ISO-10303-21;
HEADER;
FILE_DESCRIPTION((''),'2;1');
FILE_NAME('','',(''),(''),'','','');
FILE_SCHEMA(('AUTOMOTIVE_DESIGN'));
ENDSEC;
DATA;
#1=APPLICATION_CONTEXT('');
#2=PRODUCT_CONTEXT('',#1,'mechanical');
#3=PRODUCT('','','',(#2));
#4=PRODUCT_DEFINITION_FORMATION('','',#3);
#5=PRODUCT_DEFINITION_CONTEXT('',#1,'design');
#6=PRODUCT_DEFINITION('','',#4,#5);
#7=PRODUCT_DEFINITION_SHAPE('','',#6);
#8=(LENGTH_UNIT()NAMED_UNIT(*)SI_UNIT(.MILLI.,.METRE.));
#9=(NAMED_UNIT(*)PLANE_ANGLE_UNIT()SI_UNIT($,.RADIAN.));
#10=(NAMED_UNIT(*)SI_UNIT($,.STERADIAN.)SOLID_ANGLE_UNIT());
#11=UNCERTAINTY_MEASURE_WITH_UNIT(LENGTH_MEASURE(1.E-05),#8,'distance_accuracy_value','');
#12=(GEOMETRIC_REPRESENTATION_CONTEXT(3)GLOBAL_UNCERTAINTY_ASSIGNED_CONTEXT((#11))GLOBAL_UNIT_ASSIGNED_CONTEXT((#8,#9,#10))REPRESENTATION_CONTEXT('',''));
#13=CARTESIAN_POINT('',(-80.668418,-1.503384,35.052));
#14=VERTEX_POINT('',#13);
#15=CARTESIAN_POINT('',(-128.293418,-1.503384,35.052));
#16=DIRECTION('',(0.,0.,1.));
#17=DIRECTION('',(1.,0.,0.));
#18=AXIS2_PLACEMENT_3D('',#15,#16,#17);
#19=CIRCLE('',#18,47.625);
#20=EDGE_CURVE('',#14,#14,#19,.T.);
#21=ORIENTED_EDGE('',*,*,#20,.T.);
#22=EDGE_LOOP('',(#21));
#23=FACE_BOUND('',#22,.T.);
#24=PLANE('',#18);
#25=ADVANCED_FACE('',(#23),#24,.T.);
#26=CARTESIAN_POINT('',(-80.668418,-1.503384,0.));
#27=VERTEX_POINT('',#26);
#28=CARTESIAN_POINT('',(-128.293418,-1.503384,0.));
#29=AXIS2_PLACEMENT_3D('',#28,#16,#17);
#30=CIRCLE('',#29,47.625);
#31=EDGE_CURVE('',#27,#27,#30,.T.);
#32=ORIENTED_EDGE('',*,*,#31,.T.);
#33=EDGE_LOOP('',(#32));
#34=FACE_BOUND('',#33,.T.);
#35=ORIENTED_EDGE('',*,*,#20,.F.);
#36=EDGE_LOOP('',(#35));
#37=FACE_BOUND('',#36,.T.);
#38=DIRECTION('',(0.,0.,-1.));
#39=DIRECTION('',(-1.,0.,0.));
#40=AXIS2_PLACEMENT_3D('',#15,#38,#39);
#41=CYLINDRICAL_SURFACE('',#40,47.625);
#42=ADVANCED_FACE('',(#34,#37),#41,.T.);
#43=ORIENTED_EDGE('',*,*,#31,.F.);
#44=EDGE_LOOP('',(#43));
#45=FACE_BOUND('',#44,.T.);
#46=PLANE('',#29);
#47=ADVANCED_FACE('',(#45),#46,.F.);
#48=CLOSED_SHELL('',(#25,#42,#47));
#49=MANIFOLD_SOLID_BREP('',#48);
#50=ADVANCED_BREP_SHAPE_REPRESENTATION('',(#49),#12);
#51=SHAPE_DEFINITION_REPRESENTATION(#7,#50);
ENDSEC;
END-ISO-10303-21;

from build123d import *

# Parameters (mm, degrees)
SKETCH1_R           = 47.625
BOSS_EXTRUDE1_DEPTH = 35.052


with BuildPart() as part:
    # Sketch1 → Boss-Extrude1 (new body)
    with BuildSketch(Plane.XY):
        with Locations((-128.293417664, -1.503384342)):
            Circle(SKETCH1_R)
    extrude(amount=BOSS_EXTRUDE1_DEPTH)


solid = part.part
